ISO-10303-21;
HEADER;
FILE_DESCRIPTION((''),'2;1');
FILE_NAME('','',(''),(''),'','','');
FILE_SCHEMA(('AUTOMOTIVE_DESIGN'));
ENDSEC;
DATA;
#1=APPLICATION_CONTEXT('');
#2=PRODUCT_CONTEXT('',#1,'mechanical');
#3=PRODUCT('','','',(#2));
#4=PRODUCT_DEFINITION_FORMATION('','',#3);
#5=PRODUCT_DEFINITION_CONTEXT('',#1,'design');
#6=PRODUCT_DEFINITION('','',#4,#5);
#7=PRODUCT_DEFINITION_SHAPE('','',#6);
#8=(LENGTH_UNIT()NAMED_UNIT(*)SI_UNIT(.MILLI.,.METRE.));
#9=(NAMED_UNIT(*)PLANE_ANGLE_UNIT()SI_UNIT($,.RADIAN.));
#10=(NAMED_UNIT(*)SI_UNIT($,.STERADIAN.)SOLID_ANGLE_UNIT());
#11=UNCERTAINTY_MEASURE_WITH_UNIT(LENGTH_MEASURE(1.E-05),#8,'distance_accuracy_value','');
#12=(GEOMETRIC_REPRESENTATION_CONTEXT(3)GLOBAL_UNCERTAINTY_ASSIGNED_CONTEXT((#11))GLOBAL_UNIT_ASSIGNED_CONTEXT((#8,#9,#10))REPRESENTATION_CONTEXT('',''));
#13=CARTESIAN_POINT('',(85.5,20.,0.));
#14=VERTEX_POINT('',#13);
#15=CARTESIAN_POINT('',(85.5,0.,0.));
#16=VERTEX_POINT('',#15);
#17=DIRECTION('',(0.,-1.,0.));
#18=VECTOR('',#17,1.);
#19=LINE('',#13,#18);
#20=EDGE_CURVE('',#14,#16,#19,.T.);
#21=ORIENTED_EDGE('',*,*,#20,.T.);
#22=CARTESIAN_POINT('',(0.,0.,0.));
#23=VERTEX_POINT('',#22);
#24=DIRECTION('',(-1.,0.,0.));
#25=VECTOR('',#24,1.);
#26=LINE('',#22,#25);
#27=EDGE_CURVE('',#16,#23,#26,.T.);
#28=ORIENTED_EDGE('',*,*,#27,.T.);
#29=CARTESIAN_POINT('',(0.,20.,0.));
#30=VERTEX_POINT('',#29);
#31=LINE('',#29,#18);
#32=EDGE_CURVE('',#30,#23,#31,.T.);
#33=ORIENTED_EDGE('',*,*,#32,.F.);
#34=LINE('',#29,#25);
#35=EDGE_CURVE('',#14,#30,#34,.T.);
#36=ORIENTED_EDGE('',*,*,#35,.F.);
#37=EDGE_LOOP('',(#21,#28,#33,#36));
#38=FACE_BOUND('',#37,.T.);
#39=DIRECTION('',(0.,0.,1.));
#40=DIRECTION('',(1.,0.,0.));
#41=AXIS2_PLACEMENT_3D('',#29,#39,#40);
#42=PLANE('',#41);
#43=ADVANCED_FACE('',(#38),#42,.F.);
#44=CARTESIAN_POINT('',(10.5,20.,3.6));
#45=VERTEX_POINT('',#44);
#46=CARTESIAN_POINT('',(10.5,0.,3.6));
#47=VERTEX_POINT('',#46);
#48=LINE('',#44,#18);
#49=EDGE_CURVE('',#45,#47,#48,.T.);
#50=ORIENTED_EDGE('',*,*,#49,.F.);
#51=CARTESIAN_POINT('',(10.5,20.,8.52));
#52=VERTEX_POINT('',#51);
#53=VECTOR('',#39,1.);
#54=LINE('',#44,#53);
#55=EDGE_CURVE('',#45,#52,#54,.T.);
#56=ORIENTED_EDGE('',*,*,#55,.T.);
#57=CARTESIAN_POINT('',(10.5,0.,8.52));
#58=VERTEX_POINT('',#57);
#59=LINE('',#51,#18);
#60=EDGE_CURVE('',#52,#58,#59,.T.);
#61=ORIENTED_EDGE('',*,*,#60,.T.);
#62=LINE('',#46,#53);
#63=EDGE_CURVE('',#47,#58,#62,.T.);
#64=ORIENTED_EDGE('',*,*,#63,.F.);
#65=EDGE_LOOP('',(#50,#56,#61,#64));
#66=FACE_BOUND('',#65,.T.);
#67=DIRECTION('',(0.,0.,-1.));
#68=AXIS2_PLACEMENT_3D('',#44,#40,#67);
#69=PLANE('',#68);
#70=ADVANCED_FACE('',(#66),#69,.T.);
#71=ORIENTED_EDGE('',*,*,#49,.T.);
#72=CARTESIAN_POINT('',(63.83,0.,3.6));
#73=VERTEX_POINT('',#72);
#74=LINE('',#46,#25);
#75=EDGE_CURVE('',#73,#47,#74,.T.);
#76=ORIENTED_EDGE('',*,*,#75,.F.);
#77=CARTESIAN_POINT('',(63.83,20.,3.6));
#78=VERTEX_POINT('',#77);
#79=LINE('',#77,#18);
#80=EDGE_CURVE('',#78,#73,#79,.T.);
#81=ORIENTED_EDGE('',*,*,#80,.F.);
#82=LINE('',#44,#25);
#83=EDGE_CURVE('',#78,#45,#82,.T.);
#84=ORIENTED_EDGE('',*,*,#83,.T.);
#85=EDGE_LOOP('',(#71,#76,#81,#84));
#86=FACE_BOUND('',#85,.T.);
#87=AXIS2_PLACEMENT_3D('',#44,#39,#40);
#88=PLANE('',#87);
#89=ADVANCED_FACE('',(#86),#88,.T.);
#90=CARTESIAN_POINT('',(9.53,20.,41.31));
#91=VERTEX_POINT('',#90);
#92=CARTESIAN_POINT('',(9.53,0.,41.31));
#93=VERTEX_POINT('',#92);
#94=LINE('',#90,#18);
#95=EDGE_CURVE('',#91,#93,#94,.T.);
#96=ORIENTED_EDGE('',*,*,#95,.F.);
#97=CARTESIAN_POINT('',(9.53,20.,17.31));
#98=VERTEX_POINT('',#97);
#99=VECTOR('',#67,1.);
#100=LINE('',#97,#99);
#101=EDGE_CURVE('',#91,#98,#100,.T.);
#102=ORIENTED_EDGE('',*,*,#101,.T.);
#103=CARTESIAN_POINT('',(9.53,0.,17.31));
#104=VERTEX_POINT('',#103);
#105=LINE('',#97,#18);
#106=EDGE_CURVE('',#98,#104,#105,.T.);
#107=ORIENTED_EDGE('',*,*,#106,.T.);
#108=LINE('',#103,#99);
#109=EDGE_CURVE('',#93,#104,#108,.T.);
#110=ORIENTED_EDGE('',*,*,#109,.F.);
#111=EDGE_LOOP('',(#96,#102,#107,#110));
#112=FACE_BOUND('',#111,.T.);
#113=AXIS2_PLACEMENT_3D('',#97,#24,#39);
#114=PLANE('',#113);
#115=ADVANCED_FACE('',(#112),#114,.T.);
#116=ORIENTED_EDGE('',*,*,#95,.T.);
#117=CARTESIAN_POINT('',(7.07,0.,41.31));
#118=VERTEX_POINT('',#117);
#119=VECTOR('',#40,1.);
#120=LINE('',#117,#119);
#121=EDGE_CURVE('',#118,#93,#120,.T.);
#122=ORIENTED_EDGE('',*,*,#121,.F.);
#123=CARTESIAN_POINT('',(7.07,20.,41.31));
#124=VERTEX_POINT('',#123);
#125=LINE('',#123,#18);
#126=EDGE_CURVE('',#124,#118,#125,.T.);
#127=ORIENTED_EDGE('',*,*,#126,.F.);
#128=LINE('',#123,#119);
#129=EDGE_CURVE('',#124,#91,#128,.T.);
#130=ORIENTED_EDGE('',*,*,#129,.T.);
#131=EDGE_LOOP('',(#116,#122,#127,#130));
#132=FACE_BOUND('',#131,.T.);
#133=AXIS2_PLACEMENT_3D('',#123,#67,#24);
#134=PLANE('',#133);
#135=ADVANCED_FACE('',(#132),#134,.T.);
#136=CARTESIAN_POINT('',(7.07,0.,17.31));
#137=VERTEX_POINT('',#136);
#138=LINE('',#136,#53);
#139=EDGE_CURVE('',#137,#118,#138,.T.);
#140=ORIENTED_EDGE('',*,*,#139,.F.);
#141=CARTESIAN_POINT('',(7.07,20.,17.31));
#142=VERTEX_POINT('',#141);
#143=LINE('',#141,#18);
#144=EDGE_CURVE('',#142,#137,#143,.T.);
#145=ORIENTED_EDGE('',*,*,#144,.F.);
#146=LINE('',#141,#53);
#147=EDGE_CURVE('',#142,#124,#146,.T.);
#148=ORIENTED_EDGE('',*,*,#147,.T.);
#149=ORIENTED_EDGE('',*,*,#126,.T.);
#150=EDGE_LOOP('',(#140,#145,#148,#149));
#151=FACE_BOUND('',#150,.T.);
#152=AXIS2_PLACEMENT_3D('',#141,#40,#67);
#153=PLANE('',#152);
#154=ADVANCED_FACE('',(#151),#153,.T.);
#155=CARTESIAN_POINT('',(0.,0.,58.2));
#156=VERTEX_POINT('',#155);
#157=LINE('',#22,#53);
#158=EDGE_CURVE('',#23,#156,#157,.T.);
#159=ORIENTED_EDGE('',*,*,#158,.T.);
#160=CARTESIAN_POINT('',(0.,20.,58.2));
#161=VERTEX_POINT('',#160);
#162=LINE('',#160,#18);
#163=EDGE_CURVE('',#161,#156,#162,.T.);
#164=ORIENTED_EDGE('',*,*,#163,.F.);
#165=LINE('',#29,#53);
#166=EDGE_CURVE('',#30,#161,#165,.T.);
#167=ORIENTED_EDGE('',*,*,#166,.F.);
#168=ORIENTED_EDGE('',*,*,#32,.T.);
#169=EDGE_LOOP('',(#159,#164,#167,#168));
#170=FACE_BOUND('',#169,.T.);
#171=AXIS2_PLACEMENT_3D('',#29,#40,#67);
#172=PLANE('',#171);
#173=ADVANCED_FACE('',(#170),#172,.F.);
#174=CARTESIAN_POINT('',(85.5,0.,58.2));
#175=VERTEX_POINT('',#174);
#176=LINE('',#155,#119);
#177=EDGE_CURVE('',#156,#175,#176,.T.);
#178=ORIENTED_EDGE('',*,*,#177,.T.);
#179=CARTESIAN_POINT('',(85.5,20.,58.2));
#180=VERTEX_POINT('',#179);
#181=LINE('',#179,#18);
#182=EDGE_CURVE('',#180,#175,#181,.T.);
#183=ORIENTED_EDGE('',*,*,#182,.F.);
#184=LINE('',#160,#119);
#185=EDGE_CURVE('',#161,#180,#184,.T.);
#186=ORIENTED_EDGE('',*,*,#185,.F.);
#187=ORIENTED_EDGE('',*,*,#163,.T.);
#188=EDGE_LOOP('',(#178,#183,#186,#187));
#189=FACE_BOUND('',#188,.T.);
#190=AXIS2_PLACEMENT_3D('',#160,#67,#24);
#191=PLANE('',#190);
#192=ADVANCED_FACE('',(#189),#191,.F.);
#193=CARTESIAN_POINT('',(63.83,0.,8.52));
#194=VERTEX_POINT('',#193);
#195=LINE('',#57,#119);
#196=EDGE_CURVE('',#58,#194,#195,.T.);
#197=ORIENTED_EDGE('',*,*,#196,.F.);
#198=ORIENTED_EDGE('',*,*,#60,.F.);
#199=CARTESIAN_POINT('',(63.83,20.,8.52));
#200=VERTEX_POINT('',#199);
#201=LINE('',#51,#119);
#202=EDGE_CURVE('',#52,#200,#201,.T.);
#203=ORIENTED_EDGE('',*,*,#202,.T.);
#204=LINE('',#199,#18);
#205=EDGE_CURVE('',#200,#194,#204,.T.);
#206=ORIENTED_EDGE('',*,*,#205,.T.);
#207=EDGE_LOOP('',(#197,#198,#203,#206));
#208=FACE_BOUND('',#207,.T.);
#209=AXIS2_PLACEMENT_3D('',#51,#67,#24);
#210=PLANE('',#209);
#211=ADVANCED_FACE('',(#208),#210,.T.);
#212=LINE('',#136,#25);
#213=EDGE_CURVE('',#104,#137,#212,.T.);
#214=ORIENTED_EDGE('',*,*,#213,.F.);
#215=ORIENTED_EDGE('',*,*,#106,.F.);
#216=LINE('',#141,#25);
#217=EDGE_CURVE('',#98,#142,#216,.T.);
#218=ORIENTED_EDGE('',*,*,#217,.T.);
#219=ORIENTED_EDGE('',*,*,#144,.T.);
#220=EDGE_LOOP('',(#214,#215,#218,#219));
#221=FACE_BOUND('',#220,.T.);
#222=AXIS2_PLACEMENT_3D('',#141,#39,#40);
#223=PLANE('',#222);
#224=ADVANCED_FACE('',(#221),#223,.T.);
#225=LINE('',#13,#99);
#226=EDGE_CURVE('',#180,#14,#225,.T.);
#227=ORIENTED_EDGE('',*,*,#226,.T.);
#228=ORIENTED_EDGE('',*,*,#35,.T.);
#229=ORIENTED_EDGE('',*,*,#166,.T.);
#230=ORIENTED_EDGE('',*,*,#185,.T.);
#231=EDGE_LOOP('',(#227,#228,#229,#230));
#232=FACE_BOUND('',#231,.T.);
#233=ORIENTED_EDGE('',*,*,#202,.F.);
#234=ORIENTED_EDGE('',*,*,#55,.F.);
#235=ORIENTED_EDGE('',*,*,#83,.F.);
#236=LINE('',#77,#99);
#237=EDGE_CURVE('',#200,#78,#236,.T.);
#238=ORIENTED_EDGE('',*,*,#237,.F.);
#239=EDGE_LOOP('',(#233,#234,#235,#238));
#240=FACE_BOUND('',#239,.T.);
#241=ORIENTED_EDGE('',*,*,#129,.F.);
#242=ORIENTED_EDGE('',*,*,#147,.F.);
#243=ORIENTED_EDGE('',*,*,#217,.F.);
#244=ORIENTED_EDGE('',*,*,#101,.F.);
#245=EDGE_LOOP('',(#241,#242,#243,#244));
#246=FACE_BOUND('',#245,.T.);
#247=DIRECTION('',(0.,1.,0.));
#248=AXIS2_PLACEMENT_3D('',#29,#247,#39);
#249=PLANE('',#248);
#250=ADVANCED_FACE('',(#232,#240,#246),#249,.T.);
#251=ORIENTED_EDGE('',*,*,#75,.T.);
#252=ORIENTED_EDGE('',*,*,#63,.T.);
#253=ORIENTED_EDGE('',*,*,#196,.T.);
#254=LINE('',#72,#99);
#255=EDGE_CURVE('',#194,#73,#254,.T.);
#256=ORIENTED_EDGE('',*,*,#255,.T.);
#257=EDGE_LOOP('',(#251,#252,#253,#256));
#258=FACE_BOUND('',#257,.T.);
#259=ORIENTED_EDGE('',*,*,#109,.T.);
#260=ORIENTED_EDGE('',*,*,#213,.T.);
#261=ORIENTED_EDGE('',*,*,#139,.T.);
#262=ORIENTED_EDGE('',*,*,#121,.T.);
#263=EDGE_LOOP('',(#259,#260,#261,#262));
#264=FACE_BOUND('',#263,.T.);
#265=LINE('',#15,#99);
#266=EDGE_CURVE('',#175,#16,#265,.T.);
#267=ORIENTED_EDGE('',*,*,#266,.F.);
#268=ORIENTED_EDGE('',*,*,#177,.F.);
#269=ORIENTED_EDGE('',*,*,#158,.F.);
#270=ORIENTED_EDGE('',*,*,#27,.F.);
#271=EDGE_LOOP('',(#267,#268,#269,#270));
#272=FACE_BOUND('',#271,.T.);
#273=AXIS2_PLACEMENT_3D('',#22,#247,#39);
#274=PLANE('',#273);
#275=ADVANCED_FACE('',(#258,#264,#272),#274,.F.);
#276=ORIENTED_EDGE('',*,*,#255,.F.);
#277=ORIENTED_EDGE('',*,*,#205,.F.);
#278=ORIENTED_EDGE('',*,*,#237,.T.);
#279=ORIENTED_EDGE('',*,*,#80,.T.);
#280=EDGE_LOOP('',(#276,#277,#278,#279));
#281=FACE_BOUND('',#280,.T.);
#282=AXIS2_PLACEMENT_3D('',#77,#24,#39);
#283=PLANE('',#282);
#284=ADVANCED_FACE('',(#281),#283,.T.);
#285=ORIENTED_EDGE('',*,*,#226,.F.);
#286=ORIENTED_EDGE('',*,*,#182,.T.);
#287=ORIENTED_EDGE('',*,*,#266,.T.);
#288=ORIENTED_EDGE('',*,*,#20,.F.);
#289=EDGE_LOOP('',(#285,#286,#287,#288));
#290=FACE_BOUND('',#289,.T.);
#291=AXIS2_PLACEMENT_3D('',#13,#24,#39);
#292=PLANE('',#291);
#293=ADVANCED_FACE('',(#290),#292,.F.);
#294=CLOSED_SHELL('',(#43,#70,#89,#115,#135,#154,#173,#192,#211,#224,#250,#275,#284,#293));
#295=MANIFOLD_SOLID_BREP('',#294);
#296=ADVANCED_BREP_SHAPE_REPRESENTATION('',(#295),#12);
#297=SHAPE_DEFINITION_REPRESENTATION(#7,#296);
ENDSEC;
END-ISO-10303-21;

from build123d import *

# Parameters (mm, degrees)
SKETCH1_W           = 85.5
SKETCH1_H           = 58.2
SKETCH1_W_2         = 2.46
SKETCH1_H_2         = 24
SKETCH1_W_3         = 53.33
SKETCH1_H_3         = 4.92
BOSS_EXTRUDE1_DEPTH = 20


with BuildPart() as part:
    # Sketch1 → Boss-Extrude1 (new body)
    with BuildSketch(Plane(origin=(0, 0, 0), x_dir=(1, 0, 0), z_dir=(0, 1, 0))):
        with Locations((42.75, -29.1)):
            Rectangle(SKETCH1_W, SKETCH1_H)
        with Locations((8.3, -29.31)):
            Rectangle(SKETCH1_W_2, SKETCH1_H_2, mode=Mode.SUBTRACT)
        with Locations((37.165, -6.06)):
            Rectangle(SKETCH1_W_3, SKETCH1_H_3, mode=Mode.SUBTRACT)
    extrude(amount=BOSS_EXTRUDE1_DEPTH)


solid = part.part
